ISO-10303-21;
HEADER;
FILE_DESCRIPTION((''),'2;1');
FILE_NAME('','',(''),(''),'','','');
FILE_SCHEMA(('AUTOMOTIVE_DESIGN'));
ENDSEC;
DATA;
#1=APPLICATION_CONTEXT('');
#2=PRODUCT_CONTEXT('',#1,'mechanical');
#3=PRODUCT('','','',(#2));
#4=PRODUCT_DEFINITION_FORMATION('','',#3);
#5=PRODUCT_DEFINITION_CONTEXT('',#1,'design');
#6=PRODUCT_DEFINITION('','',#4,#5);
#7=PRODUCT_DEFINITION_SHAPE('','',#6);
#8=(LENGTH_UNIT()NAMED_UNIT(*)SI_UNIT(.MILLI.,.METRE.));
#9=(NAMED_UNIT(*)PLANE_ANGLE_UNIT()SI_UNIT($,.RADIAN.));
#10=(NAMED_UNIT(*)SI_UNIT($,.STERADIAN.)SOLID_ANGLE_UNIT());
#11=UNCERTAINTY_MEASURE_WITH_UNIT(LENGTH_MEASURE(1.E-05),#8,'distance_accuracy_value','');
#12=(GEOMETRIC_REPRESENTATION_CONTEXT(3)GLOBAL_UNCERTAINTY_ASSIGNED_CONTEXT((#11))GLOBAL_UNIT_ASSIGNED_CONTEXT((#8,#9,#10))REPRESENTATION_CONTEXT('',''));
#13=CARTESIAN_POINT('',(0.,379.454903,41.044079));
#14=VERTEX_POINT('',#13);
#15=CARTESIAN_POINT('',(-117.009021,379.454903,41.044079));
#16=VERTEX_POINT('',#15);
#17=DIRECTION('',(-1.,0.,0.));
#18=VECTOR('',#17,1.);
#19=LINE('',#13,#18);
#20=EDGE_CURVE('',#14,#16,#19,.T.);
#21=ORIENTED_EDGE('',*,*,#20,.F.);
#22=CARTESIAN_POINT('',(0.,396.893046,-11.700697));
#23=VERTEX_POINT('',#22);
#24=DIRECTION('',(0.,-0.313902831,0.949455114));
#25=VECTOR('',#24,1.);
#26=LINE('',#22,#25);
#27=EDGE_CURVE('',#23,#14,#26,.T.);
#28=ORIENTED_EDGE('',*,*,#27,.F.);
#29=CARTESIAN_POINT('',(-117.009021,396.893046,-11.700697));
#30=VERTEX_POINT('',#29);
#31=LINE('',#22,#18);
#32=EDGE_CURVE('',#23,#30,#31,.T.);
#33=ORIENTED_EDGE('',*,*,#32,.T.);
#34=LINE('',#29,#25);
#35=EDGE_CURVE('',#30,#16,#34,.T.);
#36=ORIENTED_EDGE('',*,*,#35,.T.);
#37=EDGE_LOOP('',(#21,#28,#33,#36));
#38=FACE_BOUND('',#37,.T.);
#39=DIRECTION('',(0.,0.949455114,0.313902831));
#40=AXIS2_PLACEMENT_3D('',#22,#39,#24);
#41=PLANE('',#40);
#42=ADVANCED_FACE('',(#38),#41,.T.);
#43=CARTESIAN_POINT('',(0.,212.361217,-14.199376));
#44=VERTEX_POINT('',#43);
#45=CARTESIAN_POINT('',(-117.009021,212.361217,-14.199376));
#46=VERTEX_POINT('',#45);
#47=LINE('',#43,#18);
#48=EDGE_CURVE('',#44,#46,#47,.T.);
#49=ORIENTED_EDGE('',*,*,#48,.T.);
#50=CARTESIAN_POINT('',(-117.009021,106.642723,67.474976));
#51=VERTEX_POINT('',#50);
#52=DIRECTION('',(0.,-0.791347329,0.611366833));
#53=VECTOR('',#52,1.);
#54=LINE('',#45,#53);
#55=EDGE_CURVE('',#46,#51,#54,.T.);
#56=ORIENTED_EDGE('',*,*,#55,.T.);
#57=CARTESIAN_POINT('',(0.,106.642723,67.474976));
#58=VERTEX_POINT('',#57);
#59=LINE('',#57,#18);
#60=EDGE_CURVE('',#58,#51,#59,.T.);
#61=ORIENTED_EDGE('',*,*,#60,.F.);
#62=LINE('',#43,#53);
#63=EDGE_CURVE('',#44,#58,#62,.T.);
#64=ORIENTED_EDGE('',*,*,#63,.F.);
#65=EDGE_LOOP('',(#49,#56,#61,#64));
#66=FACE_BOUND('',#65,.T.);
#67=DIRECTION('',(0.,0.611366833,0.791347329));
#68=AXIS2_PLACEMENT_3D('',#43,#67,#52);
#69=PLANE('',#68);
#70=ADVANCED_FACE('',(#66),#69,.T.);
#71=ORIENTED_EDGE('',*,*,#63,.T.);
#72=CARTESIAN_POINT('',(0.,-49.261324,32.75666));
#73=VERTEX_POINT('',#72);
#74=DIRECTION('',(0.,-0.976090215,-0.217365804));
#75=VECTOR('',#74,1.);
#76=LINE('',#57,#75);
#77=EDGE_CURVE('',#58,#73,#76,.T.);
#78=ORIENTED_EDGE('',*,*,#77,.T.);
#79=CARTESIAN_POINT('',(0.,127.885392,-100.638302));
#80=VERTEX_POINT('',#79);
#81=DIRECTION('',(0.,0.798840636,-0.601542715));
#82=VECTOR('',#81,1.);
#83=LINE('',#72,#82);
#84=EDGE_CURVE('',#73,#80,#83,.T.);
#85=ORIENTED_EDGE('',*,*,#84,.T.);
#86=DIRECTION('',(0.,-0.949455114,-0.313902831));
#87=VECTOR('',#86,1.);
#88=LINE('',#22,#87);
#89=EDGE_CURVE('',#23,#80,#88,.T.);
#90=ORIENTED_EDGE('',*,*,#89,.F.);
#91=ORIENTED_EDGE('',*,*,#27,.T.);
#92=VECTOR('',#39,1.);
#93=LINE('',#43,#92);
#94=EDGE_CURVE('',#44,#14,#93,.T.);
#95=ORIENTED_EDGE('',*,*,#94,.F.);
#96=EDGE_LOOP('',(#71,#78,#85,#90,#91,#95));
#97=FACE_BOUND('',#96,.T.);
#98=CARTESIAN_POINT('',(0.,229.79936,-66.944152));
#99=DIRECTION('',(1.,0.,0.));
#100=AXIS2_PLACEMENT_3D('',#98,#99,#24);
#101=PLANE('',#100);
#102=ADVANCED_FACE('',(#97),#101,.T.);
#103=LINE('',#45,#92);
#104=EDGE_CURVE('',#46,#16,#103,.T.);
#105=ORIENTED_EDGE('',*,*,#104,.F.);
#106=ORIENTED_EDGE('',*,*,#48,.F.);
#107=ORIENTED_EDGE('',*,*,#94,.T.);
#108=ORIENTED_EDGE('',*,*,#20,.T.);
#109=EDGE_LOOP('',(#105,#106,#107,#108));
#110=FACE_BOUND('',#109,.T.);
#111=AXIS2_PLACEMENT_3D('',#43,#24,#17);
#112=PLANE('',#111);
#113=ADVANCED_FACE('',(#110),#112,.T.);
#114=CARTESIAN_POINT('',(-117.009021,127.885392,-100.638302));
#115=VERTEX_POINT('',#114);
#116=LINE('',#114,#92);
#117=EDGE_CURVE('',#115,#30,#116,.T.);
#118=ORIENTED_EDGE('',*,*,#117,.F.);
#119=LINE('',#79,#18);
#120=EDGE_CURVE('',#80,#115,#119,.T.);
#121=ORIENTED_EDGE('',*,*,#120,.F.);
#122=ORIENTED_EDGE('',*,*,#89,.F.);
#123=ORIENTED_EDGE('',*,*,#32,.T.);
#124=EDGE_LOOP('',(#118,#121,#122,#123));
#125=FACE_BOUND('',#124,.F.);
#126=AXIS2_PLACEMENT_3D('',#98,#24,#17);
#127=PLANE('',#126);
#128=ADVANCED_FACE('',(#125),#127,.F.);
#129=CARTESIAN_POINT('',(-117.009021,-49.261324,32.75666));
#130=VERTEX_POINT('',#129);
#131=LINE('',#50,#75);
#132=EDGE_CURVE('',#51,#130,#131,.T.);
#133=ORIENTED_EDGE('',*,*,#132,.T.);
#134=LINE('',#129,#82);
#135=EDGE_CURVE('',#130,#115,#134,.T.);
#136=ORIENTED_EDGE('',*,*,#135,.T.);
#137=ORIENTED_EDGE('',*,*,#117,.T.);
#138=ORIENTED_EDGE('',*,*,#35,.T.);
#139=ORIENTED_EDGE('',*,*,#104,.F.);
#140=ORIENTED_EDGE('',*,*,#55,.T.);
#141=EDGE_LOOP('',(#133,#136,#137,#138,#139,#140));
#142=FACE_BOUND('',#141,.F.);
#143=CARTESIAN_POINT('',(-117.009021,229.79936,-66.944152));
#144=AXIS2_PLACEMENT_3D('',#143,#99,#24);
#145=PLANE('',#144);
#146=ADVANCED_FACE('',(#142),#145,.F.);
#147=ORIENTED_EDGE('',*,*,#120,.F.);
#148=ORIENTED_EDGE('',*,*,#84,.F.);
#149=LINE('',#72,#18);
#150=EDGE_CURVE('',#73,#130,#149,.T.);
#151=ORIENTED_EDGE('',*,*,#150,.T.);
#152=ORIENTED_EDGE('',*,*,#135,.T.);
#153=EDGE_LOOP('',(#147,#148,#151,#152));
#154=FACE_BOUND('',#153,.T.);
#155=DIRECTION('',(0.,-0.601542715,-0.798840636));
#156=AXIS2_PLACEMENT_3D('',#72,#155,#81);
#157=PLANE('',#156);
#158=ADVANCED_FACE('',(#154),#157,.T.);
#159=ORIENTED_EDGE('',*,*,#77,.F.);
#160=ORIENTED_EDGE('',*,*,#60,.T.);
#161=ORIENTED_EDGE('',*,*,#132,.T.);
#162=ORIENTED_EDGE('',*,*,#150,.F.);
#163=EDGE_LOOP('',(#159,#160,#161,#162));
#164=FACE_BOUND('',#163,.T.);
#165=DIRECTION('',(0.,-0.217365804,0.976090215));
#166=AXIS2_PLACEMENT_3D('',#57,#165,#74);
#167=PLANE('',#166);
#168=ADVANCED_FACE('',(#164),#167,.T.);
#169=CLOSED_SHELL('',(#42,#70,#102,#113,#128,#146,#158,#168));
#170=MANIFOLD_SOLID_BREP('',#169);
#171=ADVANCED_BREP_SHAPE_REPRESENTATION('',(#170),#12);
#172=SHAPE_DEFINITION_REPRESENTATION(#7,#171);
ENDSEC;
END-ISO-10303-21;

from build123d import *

# Parameters (mm, degrees)
F1_DEPTH = 117.0090213418
F2_DEPTH = 175.9890317917


with BuildPart() as f1:
    # F0 (on Right) → F1 (new body)
    with BuildSketch(Plane.YZ):
        Polygon((106.6427230835, 67.474976182), (-49.2613241076, 32.7566601336), (127.8853920655, -100.6383021676), (229.7993600368, -66.9441521168), (212.3612165451, -14.1993761063), align=None)
    extrude(amount=-F1_DEPTH)

    # F2 (add): a face of the model
    f2_faces = [f1.faces().sort_by_distance(p)[0] for p in [
        (-58.5045106709, 221.080288291, -40.5717641115),
    ]]
    extrude(f2_faces, amount=F2_DEPTH)


solid = f1.part
